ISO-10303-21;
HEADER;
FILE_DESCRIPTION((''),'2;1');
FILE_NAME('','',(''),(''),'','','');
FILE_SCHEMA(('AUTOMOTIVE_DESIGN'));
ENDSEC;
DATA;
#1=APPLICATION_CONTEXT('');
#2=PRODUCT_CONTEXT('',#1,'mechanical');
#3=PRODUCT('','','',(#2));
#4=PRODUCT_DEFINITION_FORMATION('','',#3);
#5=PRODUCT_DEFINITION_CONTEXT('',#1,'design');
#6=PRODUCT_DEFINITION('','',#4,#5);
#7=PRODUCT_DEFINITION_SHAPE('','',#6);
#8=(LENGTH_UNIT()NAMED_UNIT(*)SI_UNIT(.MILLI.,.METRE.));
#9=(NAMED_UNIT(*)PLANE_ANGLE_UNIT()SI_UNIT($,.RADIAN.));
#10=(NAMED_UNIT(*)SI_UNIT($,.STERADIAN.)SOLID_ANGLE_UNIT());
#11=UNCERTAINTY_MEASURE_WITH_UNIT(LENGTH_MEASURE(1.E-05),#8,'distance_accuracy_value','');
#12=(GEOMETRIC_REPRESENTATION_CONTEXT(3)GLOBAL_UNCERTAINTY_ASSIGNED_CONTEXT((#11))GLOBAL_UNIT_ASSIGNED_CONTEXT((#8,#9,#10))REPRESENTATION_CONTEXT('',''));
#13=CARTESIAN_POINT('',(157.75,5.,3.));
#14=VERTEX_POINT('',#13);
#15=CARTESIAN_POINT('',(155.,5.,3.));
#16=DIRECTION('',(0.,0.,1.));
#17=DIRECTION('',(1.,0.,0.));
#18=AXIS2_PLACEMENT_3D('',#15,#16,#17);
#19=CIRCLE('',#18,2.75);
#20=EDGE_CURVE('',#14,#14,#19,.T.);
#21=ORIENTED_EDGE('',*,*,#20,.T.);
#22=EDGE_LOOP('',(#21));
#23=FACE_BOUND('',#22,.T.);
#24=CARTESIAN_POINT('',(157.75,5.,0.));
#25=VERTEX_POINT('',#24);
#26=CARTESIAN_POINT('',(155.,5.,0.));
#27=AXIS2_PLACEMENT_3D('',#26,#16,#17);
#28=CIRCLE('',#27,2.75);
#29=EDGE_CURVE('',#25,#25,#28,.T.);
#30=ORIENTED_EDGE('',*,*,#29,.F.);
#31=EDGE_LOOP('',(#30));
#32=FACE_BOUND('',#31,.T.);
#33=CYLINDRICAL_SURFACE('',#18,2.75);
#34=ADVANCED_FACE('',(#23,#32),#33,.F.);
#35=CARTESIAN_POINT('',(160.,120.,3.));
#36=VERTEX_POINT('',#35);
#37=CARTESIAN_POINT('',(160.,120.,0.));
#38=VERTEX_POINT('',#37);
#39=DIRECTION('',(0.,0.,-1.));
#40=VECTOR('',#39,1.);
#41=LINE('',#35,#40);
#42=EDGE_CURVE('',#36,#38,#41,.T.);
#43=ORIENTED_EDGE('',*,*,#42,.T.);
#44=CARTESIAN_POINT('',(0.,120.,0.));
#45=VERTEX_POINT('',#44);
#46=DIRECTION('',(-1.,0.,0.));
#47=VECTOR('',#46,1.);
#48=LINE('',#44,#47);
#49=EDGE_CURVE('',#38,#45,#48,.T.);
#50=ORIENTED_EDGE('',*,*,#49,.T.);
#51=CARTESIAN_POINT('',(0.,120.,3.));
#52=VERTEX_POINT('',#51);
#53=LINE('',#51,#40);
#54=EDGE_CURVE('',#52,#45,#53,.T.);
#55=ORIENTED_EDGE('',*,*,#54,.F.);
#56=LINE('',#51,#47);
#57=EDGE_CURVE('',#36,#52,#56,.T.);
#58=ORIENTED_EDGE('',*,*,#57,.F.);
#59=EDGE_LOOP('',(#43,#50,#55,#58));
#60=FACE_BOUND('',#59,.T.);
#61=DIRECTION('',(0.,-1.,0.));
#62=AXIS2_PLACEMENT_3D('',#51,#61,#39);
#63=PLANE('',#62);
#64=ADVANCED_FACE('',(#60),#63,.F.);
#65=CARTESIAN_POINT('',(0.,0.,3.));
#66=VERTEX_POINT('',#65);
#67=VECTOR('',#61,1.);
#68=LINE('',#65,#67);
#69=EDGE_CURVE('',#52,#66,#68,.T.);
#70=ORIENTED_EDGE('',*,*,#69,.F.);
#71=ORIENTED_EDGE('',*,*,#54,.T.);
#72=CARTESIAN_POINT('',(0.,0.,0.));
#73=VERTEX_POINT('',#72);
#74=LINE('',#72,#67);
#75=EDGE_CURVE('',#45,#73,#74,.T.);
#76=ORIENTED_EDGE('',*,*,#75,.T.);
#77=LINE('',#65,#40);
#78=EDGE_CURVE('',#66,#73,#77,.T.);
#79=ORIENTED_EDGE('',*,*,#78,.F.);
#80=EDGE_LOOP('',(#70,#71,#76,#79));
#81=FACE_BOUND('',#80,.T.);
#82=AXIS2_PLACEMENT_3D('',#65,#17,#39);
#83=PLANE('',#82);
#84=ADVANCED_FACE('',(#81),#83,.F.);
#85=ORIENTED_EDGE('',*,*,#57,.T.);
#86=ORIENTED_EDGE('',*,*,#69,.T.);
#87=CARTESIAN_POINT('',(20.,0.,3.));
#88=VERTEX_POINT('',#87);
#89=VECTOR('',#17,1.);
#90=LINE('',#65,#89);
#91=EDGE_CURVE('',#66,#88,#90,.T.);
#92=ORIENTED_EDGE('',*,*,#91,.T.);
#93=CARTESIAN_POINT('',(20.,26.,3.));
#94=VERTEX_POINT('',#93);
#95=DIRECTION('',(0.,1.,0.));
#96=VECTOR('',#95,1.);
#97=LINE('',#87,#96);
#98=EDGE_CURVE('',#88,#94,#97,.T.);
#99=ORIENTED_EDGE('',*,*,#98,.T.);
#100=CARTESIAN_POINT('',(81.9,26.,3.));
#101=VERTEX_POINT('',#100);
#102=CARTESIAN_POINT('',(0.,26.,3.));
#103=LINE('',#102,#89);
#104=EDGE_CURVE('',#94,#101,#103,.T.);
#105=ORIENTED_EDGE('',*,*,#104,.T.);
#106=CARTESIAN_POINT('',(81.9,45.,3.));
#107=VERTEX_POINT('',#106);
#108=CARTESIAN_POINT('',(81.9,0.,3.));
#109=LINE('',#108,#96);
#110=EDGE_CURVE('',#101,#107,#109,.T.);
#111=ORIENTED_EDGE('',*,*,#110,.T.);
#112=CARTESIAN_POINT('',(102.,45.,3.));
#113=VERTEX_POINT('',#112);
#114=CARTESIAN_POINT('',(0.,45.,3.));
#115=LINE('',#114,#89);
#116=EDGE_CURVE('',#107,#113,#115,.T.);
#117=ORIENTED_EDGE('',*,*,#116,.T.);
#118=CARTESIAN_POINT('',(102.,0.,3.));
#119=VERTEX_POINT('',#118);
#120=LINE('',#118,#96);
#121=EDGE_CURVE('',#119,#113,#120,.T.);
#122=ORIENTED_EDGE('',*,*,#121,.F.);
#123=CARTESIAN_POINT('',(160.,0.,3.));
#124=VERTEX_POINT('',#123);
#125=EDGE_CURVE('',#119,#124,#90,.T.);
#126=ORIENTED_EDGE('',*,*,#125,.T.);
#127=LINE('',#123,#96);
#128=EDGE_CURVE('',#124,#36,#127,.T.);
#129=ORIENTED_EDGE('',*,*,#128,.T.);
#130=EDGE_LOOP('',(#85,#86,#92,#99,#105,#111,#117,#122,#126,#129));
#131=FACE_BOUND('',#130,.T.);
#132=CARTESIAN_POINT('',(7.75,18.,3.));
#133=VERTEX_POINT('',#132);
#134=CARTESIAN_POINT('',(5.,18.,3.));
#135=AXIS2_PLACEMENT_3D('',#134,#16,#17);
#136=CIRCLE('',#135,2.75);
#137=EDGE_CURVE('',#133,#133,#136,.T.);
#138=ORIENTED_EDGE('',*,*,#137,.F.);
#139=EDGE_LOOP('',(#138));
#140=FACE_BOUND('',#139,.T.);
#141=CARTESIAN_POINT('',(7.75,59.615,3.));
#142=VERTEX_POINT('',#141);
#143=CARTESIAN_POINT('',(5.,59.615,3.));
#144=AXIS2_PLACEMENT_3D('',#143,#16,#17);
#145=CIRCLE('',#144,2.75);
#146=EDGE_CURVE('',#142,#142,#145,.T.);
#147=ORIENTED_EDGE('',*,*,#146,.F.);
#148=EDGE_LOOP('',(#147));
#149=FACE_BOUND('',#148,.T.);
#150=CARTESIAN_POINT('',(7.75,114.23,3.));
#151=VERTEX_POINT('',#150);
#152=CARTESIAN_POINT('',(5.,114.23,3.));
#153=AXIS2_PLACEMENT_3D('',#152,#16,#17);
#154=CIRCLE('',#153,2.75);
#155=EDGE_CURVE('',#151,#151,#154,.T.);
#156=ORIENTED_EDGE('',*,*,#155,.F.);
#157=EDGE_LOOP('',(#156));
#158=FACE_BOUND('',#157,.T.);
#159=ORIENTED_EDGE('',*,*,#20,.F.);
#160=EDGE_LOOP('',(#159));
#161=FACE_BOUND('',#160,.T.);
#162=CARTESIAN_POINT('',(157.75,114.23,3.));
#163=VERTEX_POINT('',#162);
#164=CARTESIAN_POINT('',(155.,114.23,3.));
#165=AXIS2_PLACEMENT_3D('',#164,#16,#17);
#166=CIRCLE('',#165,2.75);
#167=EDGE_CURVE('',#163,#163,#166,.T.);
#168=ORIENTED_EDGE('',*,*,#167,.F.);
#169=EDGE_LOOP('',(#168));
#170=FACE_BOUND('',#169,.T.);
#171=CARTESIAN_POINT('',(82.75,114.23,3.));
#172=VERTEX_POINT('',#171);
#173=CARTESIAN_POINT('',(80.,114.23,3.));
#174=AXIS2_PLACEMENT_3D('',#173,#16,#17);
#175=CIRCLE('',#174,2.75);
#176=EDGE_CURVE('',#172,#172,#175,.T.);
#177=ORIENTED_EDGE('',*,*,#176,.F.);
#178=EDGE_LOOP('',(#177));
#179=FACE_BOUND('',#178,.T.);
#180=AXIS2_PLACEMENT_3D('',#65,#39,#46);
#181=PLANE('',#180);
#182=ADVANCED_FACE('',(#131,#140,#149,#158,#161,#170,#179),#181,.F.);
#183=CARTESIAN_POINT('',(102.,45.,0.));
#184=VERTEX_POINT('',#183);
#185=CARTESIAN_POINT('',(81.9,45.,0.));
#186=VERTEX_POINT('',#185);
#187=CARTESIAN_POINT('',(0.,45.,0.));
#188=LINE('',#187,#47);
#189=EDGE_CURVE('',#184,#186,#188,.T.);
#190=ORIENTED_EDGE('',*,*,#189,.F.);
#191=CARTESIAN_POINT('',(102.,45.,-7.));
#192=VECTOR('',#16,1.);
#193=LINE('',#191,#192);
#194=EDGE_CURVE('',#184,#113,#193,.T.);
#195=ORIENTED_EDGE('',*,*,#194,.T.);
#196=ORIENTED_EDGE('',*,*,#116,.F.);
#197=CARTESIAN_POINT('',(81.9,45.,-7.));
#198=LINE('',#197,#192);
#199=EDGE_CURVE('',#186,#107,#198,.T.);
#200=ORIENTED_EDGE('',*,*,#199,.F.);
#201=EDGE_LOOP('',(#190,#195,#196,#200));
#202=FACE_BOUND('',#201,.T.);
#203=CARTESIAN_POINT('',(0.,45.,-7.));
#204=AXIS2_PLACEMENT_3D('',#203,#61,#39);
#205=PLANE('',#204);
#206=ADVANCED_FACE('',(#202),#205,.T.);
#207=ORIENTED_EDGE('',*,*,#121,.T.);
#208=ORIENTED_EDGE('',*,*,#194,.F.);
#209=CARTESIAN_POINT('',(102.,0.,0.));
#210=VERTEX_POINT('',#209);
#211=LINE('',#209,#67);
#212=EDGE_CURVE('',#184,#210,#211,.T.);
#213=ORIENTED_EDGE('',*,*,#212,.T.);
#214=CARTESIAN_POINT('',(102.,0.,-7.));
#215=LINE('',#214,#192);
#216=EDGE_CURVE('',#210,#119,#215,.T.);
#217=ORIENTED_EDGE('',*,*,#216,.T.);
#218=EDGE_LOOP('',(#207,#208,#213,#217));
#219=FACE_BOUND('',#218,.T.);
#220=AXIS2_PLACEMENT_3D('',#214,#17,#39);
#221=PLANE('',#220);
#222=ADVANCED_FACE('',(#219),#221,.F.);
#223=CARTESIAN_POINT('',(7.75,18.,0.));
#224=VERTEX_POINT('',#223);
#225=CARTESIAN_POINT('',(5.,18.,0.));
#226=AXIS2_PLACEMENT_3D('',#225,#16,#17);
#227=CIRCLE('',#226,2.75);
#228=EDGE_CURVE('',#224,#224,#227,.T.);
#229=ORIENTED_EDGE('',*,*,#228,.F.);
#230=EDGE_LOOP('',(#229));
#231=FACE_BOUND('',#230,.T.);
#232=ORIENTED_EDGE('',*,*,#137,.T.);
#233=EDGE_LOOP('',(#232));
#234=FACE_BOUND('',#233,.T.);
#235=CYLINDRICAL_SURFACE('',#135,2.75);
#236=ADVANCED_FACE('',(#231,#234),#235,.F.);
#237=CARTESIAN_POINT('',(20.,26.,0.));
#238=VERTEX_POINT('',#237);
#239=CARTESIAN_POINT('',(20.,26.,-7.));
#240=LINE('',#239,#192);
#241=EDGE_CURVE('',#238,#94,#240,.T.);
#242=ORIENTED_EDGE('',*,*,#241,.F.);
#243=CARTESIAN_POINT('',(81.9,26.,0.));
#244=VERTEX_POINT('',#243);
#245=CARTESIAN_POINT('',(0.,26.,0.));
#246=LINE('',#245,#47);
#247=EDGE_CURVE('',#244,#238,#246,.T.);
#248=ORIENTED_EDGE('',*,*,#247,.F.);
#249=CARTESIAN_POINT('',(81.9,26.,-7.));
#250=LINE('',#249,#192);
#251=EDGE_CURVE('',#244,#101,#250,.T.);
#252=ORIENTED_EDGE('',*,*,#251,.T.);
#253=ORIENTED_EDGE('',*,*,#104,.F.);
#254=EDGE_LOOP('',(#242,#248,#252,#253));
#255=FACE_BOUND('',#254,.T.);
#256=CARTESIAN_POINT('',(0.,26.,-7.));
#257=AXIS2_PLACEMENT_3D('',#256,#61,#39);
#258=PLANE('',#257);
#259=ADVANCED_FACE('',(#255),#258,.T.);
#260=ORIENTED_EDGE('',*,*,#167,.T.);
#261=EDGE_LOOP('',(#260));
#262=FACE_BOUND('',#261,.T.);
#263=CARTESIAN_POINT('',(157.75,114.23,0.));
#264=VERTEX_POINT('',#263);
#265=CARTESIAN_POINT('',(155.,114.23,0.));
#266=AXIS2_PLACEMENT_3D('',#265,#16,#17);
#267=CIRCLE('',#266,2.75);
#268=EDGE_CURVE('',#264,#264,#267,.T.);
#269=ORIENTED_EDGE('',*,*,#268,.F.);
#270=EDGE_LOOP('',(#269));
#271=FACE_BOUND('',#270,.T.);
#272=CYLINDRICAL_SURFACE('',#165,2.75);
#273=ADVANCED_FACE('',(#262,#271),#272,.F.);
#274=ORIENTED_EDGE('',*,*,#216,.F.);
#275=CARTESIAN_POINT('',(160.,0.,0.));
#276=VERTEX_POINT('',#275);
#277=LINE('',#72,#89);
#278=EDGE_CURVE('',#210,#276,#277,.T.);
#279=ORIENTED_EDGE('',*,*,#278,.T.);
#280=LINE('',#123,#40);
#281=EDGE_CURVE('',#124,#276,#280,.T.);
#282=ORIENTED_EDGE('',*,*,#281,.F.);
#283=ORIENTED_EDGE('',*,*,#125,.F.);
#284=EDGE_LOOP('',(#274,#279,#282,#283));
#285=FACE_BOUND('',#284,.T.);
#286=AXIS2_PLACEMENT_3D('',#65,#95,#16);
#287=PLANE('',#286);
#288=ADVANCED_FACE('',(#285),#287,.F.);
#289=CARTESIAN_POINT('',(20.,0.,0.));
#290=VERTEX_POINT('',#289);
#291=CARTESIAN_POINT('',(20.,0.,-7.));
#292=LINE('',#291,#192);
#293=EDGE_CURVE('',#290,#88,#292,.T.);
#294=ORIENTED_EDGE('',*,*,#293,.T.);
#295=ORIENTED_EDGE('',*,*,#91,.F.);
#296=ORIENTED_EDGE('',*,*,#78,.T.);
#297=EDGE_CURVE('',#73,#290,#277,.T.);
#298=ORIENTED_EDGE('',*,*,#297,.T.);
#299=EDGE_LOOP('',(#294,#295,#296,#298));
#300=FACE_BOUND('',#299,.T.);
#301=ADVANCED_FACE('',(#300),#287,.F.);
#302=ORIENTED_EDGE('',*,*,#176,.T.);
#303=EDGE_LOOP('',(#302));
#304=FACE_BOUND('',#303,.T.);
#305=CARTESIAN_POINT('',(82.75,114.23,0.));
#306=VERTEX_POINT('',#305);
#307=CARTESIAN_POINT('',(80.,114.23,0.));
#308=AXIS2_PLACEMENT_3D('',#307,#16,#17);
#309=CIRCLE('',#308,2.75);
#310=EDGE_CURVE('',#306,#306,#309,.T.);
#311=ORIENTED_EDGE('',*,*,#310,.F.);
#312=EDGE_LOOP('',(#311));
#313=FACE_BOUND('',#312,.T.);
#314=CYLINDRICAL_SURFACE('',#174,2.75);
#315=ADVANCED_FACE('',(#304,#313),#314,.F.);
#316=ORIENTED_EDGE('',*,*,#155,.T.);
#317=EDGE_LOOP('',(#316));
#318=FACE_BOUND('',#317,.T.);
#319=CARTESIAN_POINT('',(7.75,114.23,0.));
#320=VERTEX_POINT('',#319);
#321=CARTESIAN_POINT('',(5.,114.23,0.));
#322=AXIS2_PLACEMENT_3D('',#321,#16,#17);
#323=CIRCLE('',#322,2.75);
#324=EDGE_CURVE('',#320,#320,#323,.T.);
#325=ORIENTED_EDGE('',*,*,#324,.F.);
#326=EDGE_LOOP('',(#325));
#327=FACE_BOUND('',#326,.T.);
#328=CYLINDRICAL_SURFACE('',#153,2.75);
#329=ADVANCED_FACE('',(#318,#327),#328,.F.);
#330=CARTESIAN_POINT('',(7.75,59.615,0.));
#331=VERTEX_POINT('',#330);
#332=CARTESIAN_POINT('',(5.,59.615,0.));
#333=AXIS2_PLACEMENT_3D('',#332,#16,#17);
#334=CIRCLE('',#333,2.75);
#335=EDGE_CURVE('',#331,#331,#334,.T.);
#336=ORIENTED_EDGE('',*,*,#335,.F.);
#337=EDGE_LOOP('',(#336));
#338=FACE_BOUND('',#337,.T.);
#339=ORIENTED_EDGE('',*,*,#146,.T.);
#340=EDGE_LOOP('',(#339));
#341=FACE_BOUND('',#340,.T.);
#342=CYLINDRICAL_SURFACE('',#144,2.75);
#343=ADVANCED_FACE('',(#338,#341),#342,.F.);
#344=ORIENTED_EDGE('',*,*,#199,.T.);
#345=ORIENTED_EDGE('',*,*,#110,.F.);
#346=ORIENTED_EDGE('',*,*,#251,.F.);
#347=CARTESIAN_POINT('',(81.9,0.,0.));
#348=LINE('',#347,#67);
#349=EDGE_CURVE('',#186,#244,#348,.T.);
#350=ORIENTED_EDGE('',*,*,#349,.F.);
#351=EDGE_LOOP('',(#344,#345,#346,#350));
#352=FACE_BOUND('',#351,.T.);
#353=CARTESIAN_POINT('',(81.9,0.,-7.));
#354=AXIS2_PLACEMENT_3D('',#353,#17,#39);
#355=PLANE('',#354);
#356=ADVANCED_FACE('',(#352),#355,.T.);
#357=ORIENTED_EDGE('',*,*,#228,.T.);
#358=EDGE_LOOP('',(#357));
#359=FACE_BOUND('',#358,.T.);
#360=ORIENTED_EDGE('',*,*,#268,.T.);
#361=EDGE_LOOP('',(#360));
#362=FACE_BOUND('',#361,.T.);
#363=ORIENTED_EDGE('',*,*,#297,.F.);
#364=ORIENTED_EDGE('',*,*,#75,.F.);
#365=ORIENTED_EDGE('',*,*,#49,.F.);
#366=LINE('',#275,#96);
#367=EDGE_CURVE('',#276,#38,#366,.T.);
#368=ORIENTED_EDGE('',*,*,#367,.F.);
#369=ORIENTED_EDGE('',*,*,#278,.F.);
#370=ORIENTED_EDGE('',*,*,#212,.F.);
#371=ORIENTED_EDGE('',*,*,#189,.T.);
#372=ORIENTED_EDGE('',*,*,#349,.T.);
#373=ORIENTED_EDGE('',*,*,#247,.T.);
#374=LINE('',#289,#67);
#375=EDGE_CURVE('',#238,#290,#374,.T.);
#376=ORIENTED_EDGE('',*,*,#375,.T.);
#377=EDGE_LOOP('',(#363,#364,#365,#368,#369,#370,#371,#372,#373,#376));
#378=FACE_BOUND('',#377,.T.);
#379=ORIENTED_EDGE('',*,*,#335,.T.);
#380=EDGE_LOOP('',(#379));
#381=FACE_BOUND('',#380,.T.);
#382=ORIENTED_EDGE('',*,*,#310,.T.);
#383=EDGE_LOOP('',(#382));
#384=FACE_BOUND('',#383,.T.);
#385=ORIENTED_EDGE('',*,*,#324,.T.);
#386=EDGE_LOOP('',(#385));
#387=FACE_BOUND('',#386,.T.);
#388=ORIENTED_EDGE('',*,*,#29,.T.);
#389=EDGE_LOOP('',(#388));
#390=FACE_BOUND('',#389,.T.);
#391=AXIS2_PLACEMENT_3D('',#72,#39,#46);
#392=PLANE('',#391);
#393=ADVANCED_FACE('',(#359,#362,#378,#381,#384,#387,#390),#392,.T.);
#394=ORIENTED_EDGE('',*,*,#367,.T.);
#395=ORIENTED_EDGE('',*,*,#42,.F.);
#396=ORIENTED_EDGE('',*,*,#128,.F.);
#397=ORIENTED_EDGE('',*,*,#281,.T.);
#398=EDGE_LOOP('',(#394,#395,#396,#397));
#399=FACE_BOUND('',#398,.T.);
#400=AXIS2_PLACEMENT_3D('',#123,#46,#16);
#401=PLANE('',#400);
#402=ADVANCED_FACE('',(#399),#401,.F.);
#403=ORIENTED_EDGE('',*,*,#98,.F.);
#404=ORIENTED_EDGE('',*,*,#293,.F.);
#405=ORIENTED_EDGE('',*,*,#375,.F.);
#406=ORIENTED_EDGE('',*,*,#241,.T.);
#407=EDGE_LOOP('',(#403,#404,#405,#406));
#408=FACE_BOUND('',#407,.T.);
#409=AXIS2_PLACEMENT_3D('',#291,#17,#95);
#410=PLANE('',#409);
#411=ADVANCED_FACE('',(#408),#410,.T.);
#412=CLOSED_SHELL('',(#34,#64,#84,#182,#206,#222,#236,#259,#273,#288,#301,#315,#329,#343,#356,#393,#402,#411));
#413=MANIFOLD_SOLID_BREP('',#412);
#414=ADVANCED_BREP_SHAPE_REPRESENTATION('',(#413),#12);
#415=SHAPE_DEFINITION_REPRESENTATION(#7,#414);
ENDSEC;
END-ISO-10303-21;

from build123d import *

# Parameters (mm, degrees)
SKETCH1_W            = 160
SKETCH1_H            = 120
BOSS_EXTRUDE1_DEPTH  = 3
SKETCH2_W            = 61.9
SKETCH2_H            = 26
CUT_EXTRUDE1_DEPTH   = 10
M5_CLEARANCE_HOLE1_D = 5.5


with BuildPart() as part:
    # Sketch1 → Boss-Extrude1 (new body)
    with BuildSketch(Plane.XY):
        with Locations((80, 60)):
            Rectangle(SKETCH1_W, SKETCH1_H)
    extrude(amount=BOSS_EXTRUDE1_DEPTH)

    # Sketch2 → Cut-Extrude1 (cut)
    with BuildSketch(Plane.XY.offset(3)):
        Polygon((81.9, 26), (81.9, 0), (102, 0), (102, 45), (81.9, 45), align=None)
        with Locations((50.95, 13)):
            Rectangle(SKETCH2_W, SKETCH2_H)
    extrude(amount=-CUT_EXTRUDE1_DEPTH, mode=Mode.SUBTRACT)

    # M5 Clearance Hole1 (through all)
    with Locations(Plane.XY.offset(3)):
        with Locations((5, 114.23), (155, 5), (155, 114.23), (80, 114.23), (5, 59.615), (5, 18)):
            Hole(M5_CLEARANCE_HOLE1_D / 2)


solid = part.part
